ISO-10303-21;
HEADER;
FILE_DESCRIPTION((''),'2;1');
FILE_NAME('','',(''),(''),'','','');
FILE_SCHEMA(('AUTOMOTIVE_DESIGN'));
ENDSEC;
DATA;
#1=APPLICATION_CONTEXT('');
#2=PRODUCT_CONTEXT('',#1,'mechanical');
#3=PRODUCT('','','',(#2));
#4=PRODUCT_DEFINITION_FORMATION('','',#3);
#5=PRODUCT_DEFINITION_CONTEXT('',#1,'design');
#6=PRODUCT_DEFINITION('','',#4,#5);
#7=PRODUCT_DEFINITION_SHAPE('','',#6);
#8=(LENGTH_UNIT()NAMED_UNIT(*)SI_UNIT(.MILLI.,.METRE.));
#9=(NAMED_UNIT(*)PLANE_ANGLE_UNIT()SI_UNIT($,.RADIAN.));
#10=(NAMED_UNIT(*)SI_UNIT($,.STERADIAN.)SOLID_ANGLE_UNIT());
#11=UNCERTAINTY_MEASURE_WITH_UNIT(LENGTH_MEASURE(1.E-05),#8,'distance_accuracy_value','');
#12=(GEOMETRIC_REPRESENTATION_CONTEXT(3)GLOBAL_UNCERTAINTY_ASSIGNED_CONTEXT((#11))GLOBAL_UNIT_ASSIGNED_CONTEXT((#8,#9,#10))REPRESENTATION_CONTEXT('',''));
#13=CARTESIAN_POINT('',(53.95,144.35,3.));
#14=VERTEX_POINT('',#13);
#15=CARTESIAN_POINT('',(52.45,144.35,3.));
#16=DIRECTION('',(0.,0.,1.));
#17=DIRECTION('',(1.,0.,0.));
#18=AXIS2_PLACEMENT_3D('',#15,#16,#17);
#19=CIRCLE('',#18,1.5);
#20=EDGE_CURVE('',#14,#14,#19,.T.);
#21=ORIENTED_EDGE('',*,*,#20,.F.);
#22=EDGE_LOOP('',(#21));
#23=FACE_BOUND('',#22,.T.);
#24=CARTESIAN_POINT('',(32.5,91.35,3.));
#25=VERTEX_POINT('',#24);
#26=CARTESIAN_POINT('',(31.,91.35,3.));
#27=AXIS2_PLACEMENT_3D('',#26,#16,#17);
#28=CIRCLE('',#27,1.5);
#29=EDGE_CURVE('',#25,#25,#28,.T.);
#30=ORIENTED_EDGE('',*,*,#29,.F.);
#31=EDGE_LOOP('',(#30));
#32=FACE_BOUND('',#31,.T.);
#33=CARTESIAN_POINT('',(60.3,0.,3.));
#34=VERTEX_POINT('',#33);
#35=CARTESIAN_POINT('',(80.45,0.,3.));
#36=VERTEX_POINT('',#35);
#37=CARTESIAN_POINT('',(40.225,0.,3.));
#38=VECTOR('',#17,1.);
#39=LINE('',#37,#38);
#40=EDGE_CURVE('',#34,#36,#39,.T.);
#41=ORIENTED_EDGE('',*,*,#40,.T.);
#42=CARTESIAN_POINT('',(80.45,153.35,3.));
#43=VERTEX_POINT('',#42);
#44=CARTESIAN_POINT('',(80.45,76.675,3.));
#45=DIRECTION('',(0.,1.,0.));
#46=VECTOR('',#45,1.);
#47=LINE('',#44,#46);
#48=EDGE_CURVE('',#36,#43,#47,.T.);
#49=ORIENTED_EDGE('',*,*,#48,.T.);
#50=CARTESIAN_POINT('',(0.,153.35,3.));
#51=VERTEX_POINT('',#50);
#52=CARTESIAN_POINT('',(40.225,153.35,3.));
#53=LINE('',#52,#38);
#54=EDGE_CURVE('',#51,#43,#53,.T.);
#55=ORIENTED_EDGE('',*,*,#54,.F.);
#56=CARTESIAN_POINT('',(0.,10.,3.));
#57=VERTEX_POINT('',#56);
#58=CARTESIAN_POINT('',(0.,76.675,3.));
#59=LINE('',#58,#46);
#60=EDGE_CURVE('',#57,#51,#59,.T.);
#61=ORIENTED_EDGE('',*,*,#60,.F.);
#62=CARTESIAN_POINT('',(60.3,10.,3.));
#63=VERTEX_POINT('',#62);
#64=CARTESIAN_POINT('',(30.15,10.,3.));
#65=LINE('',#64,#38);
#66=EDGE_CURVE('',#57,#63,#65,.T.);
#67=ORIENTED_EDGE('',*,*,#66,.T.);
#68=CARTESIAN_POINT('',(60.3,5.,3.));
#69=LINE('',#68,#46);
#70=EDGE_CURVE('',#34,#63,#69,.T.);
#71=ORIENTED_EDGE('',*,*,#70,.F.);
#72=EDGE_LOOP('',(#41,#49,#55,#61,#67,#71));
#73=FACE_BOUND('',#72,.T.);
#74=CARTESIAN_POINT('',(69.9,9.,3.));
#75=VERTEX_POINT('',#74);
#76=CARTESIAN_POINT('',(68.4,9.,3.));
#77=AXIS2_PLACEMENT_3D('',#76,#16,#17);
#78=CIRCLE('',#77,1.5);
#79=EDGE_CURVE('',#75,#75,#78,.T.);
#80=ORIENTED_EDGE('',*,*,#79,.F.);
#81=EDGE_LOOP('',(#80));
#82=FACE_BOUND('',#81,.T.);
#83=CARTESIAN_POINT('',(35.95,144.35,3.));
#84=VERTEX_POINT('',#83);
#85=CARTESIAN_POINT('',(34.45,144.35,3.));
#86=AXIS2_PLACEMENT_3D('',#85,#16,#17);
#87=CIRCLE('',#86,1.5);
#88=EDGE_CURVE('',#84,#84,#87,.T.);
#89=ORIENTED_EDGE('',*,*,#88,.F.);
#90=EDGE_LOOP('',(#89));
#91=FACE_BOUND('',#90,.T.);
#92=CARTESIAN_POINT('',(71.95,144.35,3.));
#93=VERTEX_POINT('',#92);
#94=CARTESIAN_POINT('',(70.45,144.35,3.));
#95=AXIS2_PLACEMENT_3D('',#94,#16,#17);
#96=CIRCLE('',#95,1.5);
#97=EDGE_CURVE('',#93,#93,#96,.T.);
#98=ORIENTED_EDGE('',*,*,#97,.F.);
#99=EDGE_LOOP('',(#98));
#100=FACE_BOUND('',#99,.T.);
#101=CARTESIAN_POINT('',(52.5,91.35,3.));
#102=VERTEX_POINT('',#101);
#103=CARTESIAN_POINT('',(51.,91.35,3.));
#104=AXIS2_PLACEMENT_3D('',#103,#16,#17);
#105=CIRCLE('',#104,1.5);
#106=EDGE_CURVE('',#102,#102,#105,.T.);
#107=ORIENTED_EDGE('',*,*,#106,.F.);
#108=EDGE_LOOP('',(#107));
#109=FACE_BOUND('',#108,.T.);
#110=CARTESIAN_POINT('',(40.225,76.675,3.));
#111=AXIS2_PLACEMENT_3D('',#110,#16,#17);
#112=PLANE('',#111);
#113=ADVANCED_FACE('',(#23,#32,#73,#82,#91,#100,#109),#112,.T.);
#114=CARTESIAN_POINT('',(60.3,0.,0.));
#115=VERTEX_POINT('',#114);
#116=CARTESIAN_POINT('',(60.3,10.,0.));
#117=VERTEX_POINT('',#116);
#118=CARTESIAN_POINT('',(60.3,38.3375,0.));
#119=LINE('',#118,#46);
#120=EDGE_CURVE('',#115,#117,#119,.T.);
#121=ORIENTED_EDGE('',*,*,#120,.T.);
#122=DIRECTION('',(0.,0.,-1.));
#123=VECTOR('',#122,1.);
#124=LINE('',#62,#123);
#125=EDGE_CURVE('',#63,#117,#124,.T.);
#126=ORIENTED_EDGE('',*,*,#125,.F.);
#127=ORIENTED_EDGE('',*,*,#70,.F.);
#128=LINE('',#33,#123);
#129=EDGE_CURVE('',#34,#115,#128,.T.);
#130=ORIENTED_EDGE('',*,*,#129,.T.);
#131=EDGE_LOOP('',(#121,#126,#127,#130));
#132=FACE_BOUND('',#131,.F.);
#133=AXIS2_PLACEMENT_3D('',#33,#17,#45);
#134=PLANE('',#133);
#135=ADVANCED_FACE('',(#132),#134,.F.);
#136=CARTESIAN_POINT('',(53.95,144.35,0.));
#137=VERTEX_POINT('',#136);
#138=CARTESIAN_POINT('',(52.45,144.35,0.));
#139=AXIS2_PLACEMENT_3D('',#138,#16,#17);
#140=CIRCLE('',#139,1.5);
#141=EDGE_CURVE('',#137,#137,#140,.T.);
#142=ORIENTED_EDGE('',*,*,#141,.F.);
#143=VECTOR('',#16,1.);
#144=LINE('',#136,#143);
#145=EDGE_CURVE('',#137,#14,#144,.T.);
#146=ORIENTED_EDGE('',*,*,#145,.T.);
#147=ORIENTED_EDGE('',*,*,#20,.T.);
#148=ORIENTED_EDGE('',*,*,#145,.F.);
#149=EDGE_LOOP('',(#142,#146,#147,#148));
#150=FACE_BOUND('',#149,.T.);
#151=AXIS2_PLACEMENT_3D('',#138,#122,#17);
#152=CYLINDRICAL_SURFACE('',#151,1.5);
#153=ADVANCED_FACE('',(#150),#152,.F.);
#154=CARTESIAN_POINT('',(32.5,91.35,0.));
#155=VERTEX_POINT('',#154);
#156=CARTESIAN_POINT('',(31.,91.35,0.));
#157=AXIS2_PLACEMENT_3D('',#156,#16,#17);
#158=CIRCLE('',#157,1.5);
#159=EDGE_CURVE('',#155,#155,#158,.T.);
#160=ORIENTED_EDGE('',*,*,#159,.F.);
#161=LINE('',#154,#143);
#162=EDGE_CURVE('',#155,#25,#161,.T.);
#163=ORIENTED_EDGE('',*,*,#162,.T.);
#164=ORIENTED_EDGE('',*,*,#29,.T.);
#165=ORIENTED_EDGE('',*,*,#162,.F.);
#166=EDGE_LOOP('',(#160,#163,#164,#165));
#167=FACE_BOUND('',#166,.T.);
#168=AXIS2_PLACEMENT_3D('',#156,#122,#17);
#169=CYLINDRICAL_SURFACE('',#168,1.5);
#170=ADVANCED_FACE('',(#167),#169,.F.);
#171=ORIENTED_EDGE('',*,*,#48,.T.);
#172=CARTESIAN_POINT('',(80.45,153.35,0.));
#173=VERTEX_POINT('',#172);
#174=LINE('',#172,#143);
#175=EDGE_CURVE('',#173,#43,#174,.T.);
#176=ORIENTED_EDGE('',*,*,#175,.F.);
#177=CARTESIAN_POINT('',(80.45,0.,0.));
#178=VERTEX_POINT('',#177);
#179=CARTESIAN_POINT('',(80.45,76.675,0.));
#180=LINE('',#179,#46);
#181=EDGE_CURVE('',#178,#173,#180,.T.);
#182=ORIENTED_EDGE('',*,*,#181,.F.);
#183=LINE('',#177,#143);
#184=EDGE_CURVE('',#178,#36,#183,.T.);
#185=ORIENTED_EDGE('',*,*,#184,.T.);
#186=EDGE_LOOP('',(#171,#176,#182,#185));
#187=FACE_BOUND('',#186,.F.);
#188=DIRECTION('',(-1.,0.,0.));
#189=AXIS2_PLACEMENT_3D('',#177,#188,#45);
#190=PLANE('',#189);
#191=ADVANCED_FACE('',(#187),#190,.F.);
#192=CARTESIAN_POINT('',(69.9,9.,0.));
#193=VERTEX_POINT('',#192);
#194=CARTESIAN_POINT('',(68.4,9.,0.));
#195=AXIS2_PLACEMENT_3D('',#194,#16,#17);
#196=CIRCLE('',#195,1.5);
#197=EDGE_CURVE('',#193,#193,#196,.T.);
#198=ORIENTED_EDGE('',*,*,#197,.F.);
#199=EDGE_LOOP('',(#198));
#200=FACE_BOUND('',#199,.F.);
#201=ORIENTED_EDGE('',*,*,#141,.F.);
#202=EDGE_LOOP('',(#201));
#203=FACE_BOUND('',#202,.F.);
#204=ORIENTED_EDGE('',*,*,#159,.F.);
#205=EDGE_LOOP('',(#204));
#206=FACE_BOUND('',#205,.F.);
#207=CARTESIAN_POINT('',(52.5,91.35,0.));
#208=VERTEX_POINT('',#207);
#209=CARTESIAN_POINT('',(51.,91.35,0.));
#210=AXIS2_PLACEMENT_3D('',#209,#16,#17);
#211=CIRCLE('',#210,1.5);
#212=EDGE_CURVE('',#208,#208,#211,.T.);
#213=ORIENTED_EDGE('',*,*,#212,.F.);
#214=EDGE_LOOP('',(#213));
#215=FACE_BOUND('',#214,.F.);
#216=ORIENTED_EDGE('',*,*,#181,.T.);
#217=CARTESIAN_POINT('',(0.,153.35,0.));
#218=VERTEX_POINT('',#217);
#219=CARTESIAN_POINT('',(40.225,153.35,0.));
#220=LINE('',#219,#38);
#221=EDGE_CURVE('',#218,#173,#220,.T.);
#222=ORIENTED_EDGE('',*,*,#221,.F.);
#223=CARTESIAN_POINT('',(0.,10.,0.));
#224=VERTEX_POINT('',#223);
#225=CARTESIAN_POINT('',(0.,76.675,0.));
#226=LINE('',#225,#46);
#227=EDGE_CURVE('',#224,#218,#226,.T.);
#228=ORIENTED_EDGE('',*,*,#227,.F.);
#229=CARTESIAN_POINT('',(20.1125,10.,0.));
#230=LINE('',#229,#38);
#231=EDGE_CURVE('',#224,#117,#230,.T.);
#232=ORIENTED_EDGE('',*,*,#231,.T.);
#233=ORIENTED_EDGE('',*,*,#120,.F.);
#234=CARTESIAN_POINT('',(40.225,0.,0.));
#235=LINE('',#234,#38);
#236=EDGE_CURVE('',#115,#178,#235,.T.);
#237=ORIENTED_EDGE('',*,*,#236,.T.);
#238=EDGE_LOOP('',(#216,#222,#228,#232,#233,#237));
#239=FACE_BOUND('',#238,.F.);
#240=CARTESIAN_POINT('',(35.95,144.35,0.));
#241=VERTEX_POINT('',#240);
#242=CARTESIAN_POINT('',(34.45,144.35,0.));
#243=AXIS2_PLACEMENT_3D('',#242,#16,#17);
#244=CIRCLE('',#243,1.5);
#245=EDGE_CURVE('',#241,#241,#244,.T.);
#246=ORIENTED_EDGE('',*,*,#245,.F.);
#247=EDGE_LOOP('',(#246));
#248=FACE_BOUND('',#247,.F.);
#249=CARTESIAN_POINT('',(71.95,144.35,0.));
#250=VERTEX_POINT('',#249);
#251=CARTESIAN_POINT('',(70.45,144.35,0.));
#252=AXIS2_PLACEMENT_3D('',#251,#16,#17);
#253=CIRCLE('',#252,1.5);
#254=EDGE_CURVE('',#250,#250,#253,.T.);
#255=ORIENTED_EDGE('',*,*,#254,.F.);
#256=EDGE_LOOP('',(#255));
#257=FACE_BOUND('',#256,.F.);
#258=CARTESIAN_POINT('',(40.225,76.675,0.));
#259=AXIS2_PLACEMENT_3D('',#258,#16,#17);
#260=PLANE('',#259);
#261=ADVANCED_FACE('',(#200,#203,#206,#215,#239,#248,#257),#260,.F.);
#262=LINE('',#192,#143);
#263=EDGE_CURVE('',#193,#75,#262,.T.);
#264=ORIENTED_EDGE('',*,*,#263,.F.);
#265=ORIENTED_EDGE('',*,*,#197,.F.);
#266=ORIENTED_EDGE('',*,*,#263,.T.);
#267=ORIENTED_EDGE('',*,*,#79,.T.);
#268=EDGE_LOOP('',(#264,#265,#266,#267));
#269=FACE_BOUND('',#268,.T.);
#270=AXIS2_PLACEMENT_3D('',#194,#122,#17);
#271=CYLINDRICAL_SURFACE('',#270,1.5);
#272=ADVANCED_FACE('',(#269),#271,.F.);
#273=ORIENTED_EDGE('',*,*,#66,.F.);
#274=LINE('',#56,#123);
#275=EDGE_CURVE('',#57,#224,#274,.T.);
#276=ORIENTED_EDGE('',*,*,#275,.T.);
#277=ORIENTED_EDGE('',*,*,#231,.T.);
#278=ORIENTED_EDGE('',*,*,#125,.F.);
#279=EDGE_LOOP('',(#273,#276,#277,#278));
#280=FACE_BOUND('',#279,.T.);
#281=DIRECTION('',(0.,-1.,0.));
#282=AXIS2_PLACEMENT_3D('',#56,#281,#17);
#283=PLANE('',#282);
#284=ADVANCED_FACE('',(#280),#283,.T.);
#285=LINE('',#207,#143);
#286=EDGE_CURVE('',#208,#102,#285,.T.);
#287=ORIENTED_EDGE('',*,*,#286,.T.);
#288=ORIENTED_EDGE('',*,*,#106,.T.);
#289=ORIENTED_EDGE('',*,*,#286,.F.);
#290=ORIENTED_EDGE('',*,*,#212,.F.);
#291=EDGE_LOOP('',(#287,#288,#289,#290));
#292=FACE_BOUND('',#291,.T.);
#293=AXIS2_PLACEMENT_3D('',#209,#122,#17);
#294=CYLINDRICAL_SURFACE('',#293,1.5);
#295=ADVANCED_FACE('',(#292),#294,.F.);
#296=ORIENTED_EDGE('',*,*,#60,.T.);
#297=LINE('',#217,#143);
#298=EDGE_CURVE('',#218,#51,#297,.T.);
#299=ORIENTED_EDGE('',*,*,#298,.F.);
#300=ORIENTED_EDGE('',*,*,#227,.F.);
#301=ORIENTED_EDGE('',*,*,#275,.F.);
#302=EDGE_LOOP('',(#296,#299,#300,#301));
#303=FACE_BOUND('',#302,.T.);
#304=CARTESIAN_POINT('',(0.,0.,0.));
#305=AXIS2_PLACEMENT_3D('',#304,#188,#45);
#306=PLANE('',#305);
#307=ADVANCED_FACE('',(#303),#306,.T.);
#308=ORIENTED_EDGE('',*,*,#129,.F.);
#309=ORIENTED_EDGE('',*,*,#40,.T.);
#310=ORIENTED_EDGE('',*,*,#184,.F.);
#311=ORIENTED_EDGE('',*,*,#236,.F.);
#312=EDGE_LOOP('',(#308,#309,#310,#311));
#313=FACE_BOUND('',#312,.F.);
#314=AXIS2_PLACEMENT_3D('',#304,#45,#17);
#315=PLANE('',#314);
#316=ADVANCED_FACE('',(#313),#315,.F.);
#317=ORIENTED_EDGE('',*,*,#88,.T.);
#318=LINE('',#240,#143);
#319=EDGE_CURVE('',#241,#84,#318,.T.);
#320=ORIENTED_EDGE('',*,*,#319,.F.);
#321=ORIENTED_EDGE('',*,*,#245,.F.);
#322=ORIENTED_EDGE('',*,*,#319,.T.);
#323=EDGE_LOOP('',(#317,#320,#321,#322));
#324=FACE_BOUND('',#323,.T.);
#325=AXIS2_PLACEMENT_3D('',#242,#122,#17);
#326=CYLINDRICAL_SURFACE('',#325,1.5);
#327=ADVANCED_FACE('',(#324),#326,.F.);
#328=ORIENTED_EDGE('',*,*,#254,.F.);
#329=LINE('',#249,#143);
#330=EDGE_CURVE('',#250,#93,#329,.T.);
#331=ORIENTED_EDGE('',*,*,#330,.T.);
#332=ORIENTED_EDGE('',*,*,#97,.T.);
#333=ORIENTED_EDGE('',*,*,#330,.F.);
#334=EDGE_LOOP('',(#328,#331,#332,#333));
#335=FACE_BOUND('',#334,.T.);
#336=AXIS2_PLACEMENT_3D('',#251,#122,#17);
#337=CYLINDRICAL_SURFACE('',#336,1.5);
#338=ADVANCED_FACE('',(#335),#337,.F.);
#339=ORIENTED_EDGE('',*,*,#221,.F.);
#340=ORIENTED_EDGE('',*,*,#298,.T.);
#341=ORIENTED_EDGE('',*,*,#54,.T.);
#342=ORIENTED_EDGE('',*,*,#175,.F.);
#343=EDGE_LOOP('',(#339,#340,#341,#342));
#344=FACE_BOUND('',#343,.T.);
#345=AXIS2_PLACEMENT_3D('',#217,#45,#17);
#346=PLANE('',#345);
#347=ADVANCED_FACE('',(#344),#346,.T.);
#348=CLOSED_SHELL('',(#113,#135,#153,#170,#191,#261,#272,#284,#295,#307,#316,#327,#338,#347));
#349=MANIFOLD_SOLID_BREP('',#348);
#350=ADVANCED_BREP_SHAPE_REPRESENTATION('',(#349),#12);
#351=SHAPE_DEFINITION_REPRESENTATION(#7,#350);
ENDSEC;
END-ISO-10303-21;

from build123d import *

# Parameters (mm, degrees)
SKETCH_W     = 80.45
SKETCH_H     = 153.35
SKETCH_R     = 1.5
PAD_DEPTH    = 3
SKETCH001_W  = 60.3
SKETCH001_H  = 10
POCKET_DEPTH = 3.001


with BuildPart() as part:
    # Sketch → Pad (new body)
    with BuildSketch(Plane.XY):
        with Locations((40.225, 76.675)):
            Rectangle(SKETCH_W, SKETCH_H)
        with Locations((68.4, 9)):
            Circle(SKETCH_R, mode=Mode.SUBTRACT)
        with Locations((70.45, 144.35)):
            Circle(SKETCH_R, mode=Mode.SUBTRACT)
        with Locations((52.45, 144.35)):
            Circle(SKETCH_R, mode=Mode.SUBTRACT)
        with Locations((34.45, 144.35)):
            Circle(SKETCH_R, mode=Mode.SUBTRACT)
        with Locations((31, 91.35)):
            Circle(SKETCH_R, mode=Mode.SUBTRACT)
        with Locations((51, 91.35)):
            Circle(SKETCH_R, mode=Mode.SUBTRACT)
    extrude(amount=PAD_DEPTH)

    # Sketch001 → Pocket (cut, through all)
    with BuildSketch(Plane.XY.offset(3)):
        with Locations((30.15, 5)):
            Rectangle(SKETCH001_W, SKETCH001_H)
    extrude(amount=-POCKET_DEPTH, mode=Mode.SUBTRACT)


solid = part.part
